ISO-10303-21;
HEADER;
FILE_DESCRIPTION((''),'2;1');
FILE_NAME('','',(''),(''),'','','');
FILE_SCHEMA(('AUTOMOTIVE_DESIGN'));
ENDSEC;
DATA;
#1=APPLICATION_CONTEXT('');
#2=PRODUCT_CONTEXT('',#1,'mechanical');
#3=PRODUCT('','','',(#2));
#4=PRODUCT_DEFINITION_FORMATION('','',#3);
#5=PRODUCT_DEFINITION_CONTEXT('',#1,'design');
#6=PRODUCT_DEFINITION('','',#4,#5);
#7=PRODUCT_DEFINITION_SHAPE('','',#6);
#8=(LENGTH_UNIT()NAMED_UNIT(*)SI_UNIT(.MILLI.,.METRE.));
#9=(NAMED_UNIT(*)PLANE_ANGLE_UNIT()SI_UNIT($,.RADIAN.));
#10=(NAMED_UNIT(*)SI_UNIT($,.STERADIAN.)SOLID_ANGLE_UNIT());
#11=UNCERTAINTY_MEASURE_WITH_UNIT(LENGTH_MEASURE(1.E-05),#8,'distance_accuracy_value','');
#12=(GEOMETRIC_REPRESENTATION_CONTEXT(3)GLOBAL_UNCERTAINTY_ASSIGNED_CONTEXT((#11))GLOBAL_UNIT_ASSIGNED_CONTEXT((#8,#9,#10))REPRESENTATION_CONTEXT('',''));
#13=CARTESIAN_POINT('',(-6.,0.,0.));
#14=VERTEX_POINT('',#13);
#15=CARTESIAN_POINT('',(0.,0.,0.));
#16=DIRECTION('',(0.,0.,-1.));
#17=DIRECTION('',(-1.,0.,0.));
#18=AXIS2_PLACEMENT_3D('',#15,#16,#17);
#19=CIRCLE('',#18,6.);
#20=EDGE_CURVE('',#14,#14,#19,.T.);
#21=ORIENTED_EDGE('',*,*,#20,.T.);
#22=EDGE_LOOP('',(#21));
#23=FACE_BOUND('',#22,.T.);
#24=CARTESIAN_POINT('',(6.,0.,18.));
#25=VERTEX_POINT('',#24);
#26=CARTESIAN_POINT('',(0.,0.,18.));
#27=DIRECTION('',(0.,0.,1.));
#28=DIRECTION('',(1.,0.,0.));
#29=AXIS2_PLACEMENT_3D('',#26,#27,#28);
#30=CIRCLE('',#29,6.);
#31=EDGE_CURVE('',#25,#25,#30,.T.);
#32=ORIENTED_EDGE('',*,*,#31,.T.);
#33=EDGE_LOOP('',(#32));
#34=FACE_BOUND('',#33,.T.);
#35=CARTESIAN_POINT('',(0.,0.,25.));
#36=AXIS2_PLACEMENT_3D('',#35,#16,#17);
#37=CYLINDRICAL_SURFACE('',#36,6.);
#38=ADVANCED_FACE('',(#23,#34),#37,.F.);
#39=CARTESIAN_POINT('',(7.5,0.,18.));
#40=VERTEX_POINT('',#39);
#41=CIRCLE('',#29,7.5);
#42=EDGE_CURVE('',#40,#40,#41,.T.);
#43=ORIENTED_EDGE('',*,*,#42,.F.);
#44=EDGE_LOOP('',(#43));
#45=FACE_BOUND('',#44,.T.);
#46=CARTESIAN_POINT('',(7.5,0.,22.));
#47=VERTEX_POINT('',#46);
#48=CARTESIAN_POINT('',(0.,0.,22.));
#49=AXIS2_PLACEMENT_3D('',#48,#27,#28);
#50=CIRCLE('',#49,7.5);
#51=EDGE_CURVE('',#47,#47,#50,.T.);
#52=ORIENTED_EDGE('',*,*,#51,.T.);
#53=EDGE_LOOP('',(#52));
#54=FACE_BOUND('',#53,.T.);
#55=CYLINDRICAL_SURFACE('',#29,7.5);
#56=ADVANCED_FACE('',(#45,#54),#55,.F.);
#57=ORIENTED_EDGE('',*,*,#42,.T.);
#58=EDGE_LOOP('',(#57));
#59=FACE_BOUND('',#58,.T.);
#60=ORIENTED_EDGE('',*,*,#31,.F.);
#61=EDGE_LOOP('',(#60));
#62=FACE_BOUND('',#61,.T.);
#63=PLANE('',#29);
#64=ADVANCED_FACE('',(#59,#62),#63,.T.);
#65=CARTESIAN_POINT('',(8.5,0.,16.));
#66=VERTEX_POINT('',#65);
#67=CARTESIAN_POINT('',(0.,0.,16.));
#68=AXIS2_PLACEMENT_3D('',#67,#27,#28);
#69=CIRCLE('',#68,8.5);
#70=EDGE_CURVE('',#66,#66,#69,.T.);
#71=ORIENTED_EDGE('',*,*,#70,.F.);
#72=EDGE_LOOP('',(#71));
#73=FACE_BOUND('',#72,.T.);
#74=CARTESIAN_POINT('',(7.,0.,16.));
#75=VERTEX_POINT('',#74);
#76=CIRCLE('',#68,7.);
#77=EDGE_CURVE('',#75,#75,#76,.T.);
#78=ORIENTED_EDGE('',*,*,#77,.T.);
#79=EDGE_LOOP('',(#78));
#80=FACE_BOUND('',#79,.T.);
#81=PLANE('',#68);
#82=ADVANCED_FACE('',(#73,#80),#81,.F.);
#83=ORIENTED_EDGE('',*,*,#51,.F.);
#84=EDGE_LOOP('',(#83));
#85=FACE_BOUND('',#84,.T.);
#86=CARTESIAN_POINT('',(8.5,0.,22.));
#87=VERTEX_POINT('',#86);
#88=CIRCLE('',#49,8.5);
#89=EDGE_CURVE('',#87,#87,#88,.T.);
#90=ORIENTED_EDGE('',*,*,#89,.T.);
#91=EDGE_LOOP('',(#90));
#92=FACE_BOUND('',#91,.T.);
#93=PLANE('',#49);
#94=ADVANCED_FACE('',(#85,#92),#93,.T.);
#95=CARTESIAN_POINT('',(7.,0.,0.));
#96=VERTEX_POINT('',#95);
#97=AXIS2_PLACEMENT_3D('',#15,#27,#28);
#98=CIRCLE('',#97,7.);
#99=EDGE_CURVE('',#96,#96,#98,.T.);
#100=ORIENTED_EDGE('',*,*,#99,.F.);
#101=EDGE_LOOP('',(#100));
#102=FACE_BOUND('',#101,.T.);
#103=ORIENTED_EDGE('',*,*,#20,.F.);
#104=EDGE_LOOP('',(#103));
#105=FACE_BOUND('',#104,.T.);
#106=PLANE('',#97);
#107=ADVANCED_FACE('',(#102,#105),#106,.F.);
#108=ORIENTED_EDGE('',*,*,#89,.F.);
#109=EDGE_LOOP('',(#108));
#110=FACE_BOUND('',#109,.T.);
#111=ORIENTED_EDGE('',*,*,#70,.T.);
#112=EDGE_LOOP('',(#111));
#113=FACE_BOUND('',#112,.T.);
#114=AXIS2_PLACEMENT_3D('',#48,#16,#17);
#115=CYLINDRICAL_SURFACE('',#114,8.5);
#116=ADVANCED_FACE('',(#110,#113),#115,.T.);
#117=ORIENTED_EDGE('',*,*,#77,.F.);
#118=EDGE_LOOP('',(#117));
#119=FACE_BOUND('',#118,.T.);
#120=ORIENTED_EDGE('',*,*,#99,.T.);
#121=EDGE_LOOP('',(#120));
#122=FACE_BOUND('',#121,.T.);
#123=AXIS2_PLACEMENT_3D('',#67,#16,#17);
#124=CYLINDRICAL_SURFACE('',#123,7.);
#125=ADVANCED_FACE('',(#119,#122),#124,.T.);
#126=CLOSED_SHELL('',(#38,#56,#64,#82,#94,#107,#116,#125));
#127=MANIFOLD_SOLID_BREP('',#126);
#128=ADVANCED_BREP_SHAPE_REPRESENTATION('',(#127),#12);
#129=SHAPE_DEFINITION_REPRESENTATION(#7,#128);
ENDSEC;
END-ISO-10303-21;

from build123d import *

# Parameters (mm, degrees)
SKETCH_1_R          = 7
EXTRUDE_1_DEPTH     = 16
SKETCH_2_R          = 8.5
EXTRUDE_2_DEPTH     = 6
SKETCH_3_R          = 7.5
CUT_EXTRUDE_1_DEPTH = 4
SKETCH_4_R          = 6
CUT_EXTRUDE_2_DEPTH = 25


with BuildPart() as part:
    # 草图1 → 凸台-拉伸1 (new body)
    with BuildSketch(Plane.XY):
        Circle(SKETCH_1_R)
    extrude(amount=EXTRUDE_1_DEPTH)

    # 草图2 → 凸台-拉伸2 (add)
    with BuildSketch(Plane.XY.offset(16)):
        Circle(SKETCH_2_R)
    extrude(amount=EXTRUDE_2_DEPTH)

    # 草图3 → 切除-拉伸1 (cut)
    with BuildSketch(Plane.XY.offset(22)):
        Circle(SKETCH_3_R)
    extrude(amount=-CUT_EXTRUDE_1_DEPTH, mode=Mode.SUBTRACT)

    # 草图4 → 切除-拉伸2 (cut)
    with BuildSketch(Plane(origin=(0, 0, 0), x_dir=(-1, 0, 0), z_dir=(0, 0, -1))):
        Circle(SKETCH_4_R)
    extrude(amount=-CUT_EXTRUDE_2_DEPTH, mode=Mode.SUBTRACT)


solid = part.part
